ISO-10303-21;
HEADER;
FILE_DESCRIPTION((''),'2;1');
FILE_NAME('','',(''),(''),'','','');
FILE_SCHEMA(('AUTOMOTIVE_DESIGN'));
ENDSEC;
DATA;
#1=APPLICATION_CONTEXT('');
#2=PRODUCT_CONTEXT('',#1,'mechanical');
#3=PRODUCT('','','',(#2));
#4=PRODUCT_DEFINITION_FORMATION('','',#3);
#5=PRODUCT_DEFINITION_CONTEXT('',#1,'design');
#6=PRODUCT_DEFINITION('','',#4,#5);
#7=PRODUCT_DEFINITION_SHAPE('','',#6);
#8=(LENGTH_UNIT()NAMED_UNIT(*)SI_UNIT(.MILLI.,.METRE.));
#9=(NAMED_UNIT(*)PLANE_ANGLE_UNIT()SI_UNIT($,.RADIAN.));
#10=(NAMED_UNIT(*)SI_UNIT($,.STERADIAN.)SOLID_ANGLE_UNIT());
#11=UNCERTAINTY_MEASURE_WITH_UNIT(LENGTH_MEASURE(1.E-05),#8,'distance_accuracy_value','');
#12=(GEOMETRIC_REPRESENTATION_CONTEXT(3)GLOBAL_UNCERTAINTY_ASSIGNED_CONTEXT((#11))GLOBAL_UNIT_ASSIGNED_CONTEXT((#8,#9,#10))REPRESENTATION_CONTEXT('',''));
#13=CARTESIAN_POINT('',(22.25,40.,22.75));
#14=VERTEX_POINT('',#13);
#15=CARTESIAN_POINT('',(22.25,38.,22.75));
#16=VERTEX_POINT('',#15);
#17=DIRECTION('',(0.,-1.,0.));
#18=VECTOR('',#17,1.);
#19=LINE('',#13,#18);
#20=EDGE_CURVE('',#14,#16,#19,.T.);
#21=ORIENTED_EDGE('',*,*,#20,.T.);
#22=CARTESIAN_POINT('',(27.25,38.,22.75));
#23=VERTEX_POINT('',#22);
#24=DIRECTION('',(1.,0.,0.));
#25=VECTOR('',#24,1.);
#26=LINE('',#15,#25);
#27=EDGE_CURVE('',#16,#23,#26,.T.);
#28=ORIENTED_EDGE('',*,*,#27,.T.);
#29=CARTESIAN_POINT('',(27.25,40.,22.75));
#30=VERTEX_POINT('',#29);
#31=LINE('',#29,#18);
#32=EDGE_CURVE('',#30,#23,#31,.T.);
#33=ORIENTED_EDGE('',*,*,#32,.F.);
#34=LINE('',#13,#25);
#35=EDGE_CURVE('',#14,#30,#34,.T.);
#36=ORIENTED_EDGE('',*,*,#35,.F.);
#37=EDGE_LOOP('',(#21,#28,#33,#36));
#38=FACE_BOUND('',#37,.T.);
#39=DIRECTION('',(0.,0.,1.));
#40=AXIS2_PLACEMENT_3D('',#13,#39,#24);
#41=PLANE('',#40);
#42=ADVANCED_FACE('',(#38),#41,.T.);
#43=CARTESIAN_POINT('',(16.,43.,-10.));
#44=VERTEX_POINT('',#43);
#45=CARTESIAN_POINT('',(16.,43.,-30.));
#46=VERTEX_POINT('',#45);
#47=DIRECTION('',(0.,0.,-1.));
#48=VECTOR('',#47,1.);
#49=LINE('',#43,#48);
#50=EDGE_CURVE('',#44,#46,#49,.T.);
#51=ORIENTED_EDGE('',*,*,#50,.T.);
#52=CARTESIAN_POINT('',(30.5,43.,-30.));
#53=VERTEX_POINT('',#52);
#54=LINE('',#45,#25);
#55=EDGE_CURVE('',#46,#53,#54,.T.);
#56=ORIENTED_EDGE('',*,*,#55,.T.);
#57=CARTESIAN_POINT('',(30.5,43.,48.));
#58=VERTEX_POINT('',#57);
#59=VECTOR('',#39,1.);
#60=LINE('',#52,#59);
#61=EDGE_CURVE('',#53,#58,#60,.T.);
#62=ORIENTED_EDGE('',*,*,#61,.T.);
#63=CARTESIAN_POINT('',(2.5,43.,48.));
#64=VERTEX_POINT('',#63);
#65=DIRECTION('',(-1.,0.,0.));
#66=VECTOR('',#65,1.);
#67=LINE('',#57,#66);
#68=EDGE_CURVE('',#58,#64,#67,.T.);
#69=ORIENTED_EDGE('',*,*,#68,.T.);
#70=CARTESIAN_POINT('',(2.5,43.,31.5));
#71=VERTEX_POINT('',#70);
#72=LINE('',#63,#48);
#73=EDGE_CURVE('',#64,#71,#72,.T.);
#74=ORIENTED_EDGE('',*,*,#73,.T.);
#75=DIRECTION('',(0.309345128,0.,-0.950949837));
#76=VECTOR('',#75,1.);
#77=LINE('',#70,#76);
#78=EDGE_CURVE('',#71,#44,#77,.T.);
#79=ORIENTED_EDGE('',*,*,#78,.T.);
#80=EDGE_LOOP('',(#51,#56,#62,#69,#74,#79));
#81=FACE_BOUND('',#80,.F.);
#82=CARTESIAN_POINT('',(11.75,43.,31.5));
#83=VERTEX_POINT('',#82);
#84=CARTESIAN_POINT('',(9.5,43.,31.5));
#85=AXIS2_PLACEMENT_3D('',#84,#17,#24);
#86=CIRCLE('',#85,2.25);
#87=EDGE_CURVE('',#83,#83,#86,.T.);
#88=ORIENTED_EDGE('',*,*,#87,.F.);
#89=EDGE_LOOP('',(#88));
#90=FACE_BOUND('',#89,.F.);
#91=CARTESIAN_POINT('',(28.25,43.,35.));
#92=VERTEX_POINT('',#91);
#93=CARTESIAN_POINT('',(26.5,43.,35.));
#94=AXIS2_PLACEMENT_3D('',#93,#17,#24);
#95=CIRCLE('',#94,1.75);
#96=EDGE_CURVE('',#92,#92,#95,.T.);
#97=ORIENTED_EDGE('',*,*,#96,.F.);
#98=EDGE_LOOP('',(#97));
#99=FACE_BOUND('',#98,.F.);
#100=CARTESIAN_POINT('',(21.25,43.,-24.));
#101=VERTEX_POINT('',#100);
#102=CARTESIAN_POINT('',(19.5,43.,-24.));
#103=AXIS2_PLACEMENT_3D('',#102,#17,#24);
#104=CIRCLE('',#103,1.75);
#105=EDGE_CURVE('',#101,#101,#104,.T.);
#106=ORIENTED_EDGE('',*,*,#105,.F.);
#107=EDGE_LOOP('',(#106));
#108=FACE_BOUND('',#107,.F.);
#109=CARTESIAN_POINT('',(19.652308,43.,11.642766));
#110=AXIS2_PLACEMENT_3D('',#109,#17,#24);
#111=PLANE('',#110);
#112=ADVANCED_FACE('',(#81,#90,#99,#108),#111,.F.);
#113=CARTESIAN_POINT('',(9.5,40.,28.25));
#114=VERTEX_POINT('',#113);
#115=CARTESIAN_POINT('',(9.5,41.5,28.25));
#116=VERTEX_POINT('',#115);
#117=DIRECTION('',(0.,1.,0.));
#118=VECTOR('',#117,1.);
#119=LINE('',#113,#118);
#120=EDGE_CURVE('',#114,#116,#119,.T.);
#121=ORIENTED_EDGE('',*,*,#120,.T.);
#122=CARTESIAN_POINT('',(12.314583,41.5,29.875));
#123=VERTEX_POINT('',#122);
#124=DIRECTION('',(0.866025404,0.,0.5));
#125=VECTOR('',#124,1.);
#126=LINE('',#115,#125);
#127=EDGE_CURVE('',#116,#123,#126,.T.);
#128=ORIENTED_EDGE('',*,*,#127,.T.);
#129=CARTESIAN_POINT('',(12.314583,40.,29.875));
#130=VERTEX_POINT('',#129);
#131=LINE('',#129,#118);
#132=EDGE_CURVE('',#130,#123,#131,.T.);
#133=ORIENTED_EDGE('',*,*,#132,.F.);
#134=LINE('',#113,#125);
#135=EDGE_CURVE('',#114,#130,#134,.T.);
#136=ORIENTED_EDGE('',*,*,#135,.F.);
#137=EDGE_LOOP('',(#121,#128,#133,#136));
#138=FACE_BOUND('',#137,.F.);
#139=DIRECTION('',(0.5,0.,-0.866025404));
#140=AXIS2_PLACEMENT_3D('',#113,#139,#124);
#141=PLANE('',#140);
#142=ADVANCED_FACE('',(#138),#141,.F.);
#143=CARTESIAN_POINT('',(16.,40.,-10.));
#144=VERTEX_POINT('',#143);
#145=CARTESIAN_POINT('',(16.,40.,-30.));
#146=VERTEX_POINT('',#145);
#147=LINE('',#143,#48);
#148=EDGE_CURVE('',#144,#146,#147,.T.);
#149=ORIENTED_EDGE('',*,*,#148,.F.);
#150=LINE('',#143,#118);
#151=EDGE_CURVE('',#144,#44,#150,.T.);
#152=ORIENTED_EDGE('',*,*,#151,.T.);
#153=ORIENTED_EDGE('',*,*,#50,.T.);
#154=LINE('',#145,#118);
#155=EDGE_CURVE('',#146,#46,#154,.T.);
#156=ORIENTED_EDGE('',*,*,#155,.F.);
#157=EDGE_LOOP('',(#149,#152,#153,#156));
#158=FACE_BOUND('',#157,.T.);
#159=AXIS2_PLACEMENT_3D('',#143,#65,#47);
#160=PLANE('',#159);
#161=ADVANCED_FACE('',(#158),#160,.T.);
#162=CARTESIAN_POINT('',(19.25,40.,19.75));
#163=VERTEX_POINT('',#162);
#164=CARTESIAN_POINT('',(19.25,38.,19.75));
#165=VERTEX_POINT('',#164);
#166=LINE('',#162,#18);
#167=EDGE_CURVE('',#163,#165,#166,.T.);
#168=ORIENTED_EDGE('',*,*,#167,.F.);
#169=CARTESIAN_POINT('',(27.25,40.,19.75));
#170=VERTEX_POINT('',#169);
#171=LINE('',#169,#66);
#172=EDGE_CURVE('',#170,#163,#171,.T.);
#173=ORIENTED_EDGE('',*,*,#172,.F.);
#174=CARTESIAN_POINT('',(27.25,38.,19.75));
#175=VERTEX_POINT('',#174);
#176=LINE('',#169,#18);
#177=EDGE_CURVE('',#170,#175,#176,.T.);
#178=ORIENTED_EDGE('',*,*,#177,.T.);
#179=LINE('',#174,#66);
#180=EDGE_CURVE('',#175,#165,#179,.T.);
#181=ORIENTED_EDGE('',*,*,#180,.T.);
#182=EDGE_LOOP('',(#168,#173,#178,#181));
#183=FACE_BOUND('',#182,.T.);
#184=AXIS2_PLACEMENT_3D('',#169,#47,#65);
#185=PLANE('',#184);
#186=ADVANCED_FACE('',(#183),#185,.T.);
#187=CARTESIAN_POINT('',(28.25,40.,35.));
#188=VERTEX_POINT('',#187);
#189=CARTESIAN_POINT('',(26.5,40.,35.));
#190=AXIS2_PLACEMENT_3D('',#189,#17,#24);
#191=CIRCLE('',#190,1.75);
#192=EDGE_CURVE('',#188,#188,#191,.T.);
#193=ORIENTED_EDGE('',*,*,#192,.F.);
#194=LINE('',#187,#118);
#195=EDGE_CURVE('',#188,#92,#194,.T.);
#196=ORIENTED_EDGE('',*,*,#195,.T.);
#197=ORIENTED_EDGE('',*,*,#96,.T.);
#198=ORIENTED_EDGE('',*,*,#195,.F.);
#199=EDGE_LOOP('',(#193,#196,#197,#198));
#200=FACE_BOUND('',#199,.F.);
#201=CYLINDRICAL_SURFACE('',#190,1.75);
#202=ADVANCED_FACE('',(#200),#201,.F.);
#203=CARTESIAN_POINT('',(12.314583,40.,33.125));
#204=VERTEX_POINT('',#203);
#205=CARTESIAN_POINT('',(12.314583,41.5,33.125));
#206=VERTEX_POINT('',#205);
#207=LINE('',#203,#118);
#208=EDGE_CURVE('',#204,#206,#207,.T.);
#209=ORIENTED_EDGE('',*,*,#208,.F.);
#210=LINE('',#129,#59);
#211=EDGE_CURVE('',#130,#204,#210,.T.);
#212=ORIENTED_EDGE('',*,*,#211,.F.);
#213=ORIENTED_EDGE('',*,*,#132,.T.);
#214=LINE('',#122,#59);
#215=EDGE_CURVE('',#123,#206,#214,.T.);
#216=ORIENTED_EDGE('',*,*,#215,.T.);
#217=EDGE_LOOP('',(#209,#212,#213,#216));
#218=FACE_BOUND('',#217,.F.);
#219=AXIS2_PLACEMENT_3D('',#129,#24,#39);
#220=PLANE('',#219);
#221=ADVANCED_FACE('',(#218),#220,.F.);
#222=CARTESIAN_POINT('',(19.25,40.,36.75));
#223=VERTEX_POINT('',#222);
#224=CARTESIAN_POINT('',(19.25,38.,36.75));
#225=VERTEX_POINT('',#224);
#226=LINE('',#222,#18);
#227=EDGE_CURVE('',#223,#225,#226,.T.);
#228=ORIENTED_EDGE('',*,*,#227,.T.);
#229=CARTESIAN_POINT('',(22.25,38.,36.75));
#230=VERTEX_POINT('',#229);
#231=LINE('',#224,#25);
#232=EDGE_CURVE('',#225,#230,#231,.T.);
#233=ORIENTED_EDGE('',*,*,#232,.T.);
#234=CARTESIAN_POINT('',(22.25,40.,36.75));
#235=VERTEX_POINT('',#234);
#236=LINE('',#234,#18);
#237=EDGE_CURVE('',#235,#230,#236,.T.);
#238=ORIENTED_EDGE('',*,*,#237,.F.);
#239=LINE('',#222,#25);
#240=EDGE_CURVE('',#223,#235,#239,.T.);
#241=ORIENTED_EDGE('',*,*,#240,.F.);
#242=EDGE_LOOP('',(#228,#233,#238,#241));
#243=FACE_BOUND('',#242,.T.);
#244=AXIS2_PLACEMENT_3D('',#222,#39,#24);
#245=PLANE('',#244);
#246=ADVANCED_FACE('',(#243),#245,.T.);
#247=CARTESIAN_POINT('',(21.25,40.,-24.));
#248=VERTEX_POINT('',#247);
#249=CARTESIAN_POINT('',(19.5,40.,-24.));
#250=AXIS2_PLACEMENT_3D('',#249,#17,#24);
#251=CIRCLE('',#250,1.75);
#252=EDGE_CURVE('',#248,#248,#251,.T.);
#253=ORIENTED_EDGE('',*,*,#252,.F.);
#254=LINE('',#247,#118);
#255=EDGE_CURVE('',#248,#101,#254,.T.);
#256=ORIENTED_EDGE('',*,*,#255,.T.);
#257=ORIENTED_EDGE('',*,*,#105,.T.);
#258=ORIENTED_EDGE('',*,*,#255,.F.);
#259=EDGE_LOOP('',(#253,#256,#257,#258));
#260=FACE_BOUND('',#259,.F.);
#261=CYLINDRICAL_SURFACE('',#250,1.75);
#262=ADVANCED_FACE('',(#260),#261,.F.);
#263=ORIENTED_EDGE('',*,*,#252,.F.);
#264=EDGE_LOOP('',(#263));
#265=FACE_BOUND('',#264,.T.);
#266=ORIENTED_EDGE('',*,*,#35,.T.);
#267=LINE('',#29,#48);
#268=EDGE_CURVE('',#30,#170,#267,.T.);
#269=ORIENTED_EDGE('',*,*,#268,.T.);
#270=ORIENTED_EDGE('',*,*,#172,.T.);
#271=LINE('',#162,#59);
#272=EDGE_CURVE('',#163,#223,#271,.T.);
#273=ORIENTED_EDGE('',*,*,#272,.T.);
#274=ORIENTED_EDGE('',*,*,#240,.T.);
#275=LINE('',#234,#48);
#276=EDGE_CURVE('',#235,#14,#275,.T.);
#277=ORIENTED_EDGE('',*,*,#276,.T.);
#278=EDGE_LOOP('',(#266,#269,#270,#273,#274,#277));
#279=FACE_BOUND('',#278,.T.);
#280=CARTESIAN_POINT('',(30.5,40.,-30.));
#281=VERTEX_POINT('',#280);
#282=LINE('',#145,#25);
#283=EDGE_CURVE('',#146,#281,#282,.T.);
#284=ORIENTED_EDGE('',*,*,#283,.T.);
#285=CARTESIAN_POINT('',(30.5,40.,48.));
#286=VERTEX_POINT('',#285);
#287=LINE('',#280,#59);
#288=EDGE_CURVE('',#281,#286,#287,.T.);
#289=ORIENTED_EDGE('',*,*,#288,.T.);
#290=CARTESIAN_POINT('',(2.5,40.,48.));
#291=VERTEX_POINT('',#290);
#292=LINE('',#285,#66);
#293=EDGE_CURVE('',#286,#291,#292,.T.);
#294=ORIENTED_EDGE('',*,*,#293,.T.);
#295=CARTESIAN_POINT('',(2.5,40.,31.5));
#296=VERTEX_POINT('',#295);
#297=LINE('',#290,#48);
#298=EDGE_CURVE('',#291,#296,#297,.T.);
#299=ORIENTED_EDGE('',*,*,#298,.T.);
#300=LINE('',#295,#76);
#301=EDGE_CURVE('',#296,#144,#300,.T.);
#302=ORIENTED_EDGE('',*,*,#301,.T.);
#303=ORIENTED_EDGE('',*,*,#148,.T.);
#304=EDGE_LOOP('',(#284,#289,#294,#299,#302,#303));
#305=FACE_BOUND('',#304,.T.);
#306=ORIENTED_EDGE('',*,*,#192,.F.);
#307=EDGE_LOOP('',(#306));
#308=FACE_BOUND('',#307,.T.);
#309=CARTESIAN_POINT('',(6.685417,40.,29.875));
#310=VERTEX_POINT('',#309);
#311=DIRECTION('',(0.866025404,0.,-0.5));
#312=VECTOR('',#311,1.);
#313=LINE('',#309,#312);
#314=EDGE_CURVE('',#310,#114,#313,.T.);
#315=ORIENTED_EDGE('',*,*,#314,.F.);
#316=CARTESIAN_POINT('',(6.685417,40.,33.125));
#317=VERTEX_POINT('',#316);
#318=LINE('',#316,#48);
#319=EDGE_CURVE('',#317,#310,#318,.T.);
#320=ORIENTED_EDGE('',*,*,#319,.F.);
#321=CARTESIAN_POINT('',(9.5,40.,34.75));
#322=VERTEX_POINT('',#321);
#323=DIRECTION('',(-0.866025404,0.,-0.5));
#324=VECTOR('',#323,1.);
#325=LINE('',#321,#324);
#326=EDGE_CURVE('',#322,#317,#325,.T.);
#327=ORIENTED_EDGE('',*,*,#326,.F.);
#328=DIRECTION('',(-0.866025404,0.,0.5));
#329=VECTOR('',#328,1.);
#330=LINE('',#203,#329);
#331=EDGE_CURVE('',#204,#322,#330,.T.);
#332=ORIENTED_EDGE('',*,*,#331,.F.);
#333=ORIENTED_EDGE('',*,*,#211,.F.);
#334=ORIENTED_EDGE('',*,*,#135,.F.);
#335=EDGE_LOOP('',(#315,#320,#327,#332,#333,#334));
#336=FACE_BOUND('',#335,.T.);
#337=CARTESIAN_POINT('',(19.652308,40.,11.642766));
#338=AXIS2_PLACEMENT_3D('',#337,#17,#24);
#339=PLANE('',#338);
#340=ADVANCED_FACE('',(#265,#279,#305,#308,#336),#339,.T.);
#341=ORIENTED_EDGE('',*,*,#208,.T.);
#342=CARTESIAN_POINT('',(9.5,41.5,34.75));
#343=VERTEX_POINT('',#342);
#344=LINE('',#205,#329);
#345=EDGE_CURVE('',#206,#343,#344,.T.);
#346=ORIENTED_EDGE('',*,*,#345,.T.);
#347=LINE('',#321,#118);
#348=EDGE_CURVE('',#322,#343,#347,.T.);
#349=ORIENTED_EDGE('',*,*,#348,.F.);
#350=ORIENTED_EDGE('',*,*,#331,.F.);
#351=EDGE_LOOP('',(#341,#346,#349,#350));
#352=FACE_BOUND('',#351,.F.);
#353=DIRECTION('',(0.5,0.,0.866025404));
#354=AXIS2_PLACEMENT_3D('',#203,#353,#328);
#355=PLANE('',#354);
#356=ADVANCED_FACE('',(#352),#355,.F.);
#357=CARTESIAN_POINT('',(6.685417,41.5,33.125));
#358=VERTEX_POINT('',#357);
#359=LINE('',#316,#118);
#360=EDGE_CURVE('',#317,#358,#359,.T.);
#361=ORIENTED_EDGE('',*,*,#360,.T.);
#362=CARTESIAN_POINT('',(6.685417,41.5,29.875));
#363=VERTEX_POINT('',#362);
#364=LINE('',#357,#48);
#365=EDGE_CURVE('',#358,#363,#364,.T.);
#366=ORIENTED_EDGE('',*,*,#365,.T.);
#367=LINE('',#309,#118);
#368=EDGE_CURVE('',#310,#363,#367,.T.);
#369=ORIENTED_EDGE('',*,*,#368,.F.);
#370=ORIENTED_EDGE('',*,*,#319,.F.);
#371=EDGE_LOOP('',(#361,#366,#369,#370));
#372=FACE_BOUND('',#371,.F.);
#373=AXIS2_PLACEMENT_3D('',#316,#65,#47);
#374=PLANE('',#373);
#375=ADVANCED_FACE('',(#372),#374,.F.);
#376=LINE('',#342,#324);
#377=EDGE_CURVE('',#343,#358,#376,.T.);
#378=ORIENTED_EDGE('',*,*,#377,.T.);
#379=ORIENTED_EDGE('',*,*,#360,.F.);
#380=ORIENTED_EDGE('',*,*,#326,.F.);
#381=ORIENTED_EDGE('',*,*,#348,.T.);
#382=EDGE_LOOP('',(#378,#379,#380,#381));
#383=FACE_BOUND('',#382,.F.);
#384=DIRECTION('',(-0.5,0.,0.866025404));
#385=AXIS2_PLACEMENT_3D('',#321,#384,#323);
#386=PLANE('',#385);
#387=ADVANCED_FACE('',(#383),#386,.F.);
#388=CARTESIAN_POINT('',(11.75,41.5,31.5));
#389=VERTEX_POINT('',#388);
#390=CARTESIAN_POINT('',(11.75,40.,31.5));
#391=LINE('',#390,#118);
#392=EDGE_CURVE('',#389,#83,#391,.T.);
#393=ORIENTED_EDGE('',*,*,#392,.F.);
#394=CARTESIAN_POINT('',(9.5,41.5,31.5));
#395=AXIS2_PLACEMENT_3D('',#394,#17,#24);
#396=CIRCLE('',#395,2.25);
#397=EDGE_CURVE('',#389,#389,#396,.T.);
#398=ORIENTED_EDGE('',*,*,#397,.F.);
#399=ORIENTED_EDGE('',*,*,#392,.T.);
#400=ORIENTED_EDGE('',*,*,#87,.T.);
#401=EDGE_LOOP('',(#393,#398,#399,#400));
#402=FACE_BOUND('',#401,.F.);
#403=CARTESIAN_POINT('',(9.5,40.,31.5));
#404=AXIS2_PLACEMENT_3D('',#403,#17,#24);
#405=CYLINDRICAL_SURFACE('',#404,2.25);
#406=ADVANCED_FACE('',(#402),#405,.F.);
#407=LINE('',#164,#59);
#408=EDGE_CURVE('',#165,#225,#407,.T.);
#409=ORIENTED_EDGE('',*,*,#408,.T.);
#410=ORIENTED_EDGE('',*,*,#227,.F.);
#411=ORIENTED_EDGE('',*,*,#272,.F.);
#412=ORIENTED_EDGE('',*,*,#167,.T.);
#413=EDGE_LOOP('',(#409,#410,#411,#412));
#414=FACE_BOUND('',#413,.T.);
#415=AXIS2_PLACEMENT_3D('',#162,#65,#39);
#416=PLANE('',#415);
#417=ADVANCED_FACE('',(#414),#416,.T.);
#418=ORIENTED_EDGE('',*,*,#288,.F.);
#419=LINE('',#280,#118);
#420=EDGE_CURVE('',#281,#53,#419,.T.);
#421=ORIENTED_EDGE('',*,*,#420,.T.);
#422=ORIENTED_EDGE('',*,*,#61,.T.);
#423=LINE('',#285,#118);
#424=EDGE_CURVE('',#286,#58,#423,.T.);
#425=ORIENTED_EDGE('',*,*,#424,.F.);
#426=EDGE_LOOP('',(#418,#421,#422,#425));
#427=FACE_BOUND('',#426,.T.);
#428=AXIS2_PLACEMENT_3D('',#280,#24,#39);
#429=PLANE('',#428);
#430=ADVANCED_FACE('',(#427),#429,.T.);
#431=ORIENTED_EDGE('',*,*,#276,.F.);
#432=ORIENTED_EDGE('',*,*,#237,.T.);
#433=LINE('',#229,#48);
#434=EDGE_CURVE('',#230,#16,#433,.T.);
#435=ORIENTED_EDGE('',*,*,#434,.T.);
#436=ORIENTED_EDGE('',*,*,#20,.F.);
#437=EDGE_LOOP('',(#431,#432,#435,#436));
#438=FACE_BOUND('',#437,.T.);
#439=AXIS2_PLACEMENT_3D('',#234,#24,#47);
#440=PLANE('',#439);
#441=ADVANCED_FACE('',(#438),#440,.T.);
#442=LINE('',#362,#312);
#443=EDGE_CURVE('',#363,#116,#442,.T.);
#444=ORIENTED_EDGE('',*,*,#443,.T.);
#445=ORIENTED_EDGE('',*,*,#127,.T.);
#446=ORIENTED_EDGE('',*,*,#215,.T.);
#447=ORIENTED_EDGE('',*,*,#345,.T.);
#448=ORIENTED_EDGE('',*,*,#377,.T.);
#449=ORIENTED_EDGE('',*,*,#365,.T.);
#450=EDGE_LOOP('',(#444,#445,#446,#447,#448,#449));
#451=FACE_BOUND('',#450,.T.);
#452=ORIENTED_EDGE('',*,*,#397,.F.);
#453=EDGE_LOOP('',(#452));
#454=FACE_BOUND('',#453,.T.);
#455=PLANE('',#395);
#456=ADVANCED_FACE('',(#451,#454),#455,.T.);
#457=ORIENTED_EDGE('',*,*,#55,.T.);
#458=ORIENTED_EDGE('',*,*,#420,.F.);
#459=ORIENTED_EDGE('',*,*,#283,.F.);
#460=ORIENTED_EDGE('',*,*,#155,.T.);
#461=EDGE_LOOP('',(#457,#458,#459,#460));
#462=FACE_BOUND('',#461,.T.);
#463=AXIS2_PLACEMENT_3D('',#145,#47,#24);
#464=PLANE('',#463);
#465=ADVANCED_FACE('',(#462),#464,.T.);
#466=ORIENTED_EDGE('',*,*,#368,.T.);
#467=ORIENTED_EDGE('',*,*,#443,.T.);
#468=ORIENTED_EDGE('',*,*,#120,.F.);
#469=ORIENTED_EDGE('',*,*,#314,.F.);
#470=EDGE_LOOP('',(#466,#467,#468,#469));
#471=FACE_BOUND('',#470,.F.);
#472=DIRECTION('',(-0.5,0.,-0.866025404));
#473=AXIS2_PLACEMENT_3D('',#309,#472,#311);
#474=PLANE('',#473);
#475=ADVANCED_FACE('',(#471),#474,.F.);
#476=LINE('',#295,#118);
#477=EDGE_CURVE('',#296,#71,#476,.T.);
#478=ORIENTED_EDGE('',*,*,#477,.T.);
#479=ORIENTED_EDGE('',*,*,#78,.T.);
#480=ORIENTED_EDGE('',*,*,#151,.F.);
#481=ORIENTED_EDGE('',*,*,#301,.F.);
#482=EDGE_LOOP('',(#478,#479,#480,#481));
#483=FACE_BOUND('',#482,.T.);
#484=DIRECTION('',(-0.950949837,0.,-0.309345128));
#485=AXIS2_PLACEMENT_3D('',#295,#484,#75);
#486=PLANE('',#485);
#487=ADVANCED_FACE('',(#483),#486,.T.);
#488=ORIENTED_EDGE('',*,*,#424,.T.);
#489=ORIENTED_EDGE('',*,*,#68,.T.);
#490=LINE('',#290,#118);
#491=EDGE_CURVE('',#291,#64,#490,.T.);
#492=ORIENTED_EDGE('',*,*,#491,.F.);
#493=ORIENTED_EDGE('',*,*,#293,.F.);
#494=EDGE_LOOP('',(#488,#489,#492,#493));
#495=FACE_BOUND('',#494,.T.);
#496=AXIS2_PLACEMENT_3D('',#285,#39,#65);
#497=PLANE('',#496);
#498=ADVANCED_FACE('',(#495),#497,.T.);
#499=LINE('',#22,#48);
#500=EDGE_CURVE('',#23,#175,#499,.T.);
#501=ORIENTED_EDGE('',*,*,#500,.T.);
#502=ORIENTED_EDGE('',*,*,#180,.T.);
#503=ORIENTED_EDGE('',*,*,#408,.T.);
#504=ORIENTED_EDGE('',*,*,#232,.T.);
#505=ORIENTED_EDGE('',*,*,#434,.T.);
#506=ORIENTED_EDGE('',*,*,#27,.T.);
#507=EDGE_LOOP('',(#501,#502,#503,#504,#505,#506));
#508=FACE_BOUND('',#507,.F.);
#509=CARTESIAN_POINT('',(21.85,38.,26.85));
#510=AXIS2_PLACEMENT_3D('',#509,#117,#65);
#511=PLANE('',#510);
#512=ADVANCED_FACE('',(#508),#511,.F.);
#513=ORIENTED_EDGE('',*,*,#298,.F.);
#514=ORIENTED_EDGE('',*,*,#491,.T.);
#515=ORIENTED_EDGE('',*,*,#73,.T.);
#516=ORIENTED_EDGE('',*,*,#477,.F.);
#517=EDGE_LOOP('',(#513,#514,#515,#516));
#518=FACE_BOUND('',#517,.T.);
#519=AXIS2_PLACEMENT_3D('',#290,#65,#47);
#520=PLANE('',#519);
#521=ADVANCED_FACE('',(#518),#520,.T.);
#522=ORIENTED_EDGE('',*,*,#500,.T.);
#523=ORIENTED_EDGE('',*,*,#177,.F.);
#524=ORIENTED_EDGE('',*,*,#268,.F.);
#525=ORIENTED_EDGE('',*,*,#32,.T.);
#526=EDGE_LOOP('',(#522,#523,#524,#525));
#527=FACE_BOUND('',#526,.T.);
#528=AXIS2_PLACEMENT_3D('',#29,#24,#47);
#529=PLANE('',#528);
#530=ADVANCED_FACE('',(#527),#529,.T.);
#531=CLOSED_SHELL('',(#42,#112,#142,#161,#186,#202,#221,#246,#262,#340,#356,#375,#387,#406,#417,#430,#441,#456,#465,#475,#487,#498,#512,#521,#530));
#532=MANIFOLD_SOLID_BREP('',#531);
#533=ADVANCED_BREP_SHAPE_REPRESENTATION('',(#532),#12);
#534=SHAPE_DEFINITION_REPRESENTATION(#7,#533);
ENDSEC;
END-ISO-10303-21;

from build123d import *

# Parameters (mm, degrees)
SKETCH022_R     = 1.75
SKETCH022_R_2   = 2.25
PAD009_DEPTH    = 3
POCKET019_DEPTH = 1.5
PAD014_DEPTH    = 2


with BuildPart() as part:
    # Sketch022 → Pad009 (new body)
    with BuildSketch(Plane.XZ):
        Polygon((30.5, 48), (2.5, 48), (2.5, 31.5), (16, -10), (16, -30), (30.5, -30), align=None)
        with Locations((19.5, -24)):
            Circle(SKETCH022_R, mode=Mode.SUBTRACT)
        with Locations((9.5, 31.5)):
            Circle(SKETCH022_R_2, mode=Mode.SUBTRACT)
        with Locations((26.5, 35)):
            Circle(SKETCH022_R, mode=Mode.SUBTRACT)
    extrude(amount=-PAD009_DEPTH)

    # Sketch036 → Pocket019 (cut)
    with BuildSketch(Plane.XZ):
        Polygon((12.3145825623, 29.875), (12.3145825623, 33.125), (9.5, 34.75), (6.6854174377, 33.125), (6.6854174377, 29.875), (9.5, 28.25), align=None)
    extrude(amount=-POCKET019_DEPTH, mode=Mode.SUBTRACT)

    # Sketch039 → Pad014 (join)
    with BuildSketch(Plane.XZ):
        Polygon((22.25, 36.75), (22.25, 22.75), (27.25, 22.75), (27.25, 19.75), (19.25, 19.75), (19.25, 36.75), align=None)
    extrude(amount=PAD014_DEPTH)


with BuildPart() as part_1:
    # Body004 placement: moved
    add(part.part.moved(Location((0, 40, 0))))


solid = part_1.part
